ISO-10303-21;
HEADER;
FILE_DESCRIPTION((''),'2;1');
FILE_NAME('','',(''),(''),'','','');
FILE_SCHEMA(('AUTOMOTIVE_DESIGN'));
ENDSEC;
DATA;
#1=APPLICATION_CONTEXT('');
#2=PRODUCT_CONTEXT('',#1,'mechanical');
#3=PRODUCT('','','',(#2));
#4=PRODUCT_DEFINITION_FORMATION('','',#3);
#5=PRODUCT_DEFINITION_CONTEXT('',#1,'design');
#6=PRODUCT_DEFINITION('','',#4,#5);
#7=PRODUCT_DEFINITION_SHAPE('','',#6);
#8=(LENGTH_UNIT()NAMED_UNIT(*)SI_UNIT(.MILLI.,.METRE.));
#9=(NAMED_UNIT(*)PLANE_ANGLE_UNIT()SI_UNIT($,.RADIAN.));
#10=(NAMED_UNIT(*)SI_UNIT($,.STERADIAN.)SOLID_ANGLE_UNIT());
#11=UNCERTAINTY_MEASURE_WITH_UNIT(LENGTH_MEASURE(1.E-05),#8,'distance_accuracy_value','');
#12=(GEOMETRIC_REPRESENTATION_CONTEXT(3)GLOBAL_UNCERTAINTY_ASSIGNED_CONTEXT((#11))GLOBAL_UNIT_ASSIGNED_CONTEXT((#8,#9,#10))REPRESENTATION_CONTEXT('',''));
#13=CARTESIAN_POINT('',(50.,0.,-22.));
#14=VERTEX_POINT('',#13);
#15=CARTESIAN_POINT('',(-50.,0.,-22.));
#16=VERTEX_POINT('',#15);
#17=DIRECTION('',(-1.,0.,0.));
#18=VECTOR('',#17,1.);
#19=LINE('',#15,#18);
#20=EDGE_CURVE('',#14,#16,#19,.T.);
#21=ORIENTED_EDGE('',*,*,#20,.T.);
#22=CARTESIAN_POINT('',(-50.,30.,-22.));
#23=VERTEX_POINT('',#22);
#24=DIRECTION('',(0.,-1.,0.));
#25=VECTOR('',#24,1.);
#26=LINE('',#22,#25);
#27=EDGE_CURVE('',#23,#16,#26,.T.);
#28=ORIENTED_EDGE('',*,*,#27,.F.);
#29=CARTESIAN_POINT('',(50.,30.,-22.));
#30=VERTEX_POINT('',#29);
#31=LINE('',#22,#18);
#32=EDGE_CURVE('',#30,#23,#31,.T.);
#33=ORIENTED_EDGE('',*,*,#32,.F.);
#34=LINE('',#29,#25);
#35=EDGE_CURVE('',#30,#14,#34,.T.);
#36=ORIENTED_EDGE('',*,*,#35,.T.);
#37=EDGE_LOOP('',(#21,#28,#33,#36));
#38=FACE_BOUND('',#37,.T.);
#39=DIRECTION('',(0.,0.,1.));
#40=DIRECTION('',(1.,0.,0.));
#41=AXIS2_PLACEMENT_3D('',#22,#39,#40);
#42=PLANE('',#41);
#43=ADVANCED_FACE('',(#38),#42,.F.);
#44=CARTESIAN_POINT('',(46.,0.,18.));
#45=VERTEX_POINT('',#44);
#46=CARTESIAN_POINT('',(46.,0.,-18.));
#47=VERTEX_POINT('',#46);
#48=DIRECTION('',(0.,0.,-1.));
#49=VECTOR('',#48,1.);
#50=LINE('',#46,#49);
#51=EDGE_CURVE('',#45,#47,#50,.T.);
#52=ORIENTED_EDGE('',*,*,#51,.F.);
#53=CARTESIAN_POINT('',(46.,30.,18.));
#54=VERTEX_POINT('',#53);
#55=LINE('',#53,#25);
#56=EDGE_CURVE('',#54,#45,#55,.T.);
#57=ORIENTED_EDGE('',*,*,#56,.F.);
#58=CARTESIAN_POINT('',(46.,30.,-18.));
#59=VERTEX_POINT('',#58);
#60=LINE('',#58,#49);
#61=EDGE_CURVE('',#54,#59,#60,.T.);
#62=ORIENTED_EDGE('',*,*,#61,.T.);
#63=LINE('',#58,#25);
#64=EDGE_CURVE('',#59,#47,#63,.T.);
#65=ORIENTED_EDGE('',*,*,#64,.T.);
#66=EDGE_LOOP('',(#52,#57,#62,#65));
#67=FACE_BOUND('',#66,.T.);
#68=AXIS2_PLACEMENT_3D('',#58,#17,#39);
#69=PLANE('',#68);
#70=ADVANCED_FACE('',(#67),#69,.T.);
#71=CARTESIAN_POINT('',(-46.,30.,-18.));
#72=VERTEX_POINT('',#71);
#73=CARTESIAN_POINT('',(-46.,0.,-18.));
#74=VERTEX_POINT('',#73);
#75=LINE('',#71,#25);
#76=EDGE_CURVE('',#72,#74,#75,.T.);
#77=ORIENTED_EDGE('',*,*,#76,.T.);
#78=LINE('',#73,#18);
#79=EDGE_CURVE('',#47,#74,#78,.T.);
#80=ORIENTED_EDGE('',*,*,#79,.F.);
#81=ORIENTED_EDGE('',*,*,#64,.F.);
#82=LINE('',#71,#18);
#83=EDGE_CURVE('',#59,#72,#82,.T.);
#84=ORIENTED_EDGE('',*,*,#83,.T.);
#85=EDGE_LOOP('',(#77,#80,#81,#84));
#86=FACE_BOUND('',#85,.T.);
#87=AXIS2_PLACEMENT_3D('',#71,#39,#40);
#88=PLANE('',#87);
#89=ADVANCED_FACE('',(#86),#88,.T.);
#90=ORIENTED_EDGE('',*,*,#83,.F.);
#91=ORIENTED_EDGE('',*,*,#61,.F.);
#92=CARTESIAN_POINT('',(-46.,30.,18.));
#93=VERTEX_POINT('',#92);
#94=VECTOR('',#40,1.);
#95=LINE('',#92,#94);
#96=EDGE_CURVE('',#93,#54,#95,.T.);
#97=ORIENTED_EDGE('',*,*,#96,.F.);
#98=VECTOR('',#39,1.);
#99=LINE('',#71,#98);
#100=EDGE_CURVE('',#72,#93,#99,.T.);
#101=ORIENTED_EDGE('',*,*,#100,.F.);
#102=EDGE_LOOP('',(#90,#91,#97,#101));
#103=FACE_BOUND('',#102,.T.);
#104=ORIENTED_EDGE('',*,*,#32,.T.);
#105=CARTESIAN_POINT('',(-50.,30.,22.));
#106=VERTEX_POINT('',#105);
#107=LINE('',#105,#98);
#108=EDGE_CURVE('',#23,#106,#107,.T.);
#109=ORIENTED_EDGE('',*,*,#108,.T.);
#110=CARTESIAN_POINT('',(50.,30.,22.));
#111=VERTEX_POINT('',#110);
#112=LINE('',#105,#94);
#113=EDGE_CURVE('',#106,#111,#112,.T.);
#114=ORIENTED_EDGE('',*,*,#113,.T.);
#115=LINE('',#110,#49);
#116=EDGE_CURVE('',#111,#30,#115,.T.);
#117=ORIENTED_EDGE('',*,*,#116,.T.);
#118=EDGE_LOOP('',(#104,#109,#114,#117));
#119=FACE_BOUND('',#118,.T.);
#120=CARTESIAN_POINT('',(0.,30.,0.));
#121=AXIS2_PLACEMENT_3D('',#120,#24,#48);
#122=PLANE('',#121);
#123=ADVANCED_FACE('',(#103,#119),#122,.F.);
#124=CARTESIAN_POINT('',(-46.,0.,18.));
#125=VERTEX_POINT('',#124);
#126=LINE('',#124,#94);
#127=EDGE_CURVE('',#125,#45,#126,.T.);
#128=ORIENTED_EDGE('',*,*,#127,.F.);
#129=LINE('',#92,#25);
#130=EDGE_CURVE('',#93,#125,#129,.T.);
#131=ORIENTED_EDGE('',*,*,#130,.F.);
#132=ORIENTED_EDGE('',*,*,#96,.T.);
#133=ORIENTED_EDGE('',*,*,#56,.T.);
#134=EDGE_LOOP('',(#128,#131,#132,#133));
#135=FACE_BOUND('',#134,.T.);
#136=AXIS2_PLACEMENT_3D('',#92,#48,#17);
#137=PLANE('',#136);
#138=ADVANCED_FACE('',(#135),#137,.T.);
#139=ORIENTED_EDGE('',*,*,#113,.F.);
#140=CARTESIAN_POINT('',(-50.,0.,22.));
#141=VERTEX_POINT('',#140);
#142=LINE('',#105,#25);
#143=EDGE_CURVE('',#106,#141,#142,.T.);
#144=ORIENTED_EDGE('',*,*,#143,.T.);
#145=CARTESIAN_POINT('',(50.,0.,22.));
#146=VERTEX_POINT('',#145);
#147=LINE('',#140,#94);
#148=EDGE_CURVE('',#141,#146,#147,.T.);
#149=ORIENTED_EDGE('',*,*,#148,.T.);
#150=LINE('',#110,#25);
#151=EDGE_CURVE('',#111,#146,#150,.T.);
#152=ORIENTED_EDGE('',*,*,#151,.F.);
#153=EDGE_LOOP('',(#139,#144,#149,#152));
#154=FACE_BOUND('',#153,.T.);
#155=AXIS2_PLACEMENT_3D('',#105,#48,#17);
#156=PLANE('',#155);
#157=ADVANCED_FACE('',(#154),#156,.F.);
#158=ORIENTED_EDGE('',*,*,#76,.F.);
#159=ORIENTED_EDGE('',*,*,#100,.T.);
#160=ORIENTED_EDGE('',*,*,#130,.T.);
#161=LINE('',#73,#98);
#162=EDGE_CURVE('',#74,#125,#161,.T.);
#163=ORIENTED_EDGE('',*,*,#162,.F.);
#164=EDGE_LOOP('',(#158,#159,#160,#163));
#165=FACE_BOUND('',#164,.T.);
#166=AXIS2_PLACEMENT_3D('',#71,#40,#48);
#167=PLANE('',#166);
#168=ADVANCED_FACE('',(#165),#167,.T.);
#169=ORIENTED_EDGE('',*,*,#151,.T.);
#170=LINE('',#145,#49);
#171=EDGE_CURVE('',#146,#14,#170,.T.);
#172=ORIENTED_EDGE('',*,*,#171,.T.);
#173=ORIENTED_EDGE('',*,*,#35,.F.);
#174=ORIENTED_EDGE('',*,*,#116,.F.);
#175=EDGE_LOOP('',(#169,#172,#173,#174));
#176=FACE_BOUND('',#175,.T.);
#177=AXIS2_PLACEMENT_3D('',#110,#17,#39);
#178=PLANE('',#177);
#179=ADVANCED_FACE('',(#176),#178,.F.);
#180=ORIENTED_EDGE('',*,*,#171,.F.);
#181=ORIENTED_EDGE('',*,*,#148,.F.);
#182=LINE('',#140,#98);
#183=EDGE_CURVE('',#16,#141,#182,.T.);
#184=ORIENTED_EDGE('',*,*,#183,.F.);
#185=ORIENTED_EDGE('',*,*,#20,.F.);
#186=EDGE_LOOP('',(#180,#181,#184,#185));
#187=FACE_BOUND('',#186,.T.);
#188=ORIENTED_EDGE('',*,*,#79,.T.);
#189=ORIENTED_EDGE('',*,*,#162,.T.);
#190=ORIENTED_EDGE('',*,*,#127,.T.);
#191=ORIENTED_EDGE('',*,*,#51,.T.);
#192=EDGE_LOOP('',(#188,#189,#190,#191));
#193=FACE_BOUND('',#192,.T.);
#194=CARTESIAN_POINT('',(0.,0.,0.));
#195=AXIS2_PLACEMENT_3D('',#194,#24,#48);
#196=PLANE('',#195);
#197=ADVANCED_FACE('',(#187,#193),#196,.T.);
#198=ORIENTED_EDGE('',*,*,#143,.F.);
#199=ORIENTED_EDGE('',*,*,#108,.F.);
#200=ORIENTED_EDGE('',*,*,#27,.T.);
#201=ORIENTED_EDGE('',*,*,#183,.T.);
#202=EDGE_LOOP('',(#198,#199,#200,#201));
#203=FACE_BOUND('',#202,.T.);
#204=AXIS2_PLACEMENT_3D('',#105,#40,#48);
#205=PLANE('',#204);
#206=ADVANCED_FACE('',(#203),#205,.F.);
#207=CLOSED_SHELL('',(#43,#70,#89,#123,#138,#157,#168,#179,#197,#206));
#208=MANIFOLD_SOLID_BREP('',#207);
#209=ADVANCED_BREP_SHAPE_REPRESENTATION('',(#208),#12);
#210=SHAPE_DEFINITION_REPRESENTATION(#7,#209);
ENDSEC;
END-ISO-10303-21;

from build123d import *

# Parameters (mm, degrees)
SKETCH2_W           = 100
SKETCH2_H           = 44
SKETCH2_W_2         = 92
SKETCH2_H_2         = 36
BOSS_EXTRUDE2_DEPTH = 30


with BuildPart() as part:
    # Sketch2 → Boss-Extrude2 (new body)
    with BuildSketch(Plane(origin=(0, 0, 0), x_dir=(1, 0, 0), z_dir=(0, 1, 0))):
        Rectangle(SKETCH2_W, SKETCH2_H)
        Rectangle(SKETCH2_W_2, SKETCH2_H_2, mode=Mode.SUBTRACT)
    extrude(amount=BOSS_EXTRUDE2_DEPTH)


solid = part.part
